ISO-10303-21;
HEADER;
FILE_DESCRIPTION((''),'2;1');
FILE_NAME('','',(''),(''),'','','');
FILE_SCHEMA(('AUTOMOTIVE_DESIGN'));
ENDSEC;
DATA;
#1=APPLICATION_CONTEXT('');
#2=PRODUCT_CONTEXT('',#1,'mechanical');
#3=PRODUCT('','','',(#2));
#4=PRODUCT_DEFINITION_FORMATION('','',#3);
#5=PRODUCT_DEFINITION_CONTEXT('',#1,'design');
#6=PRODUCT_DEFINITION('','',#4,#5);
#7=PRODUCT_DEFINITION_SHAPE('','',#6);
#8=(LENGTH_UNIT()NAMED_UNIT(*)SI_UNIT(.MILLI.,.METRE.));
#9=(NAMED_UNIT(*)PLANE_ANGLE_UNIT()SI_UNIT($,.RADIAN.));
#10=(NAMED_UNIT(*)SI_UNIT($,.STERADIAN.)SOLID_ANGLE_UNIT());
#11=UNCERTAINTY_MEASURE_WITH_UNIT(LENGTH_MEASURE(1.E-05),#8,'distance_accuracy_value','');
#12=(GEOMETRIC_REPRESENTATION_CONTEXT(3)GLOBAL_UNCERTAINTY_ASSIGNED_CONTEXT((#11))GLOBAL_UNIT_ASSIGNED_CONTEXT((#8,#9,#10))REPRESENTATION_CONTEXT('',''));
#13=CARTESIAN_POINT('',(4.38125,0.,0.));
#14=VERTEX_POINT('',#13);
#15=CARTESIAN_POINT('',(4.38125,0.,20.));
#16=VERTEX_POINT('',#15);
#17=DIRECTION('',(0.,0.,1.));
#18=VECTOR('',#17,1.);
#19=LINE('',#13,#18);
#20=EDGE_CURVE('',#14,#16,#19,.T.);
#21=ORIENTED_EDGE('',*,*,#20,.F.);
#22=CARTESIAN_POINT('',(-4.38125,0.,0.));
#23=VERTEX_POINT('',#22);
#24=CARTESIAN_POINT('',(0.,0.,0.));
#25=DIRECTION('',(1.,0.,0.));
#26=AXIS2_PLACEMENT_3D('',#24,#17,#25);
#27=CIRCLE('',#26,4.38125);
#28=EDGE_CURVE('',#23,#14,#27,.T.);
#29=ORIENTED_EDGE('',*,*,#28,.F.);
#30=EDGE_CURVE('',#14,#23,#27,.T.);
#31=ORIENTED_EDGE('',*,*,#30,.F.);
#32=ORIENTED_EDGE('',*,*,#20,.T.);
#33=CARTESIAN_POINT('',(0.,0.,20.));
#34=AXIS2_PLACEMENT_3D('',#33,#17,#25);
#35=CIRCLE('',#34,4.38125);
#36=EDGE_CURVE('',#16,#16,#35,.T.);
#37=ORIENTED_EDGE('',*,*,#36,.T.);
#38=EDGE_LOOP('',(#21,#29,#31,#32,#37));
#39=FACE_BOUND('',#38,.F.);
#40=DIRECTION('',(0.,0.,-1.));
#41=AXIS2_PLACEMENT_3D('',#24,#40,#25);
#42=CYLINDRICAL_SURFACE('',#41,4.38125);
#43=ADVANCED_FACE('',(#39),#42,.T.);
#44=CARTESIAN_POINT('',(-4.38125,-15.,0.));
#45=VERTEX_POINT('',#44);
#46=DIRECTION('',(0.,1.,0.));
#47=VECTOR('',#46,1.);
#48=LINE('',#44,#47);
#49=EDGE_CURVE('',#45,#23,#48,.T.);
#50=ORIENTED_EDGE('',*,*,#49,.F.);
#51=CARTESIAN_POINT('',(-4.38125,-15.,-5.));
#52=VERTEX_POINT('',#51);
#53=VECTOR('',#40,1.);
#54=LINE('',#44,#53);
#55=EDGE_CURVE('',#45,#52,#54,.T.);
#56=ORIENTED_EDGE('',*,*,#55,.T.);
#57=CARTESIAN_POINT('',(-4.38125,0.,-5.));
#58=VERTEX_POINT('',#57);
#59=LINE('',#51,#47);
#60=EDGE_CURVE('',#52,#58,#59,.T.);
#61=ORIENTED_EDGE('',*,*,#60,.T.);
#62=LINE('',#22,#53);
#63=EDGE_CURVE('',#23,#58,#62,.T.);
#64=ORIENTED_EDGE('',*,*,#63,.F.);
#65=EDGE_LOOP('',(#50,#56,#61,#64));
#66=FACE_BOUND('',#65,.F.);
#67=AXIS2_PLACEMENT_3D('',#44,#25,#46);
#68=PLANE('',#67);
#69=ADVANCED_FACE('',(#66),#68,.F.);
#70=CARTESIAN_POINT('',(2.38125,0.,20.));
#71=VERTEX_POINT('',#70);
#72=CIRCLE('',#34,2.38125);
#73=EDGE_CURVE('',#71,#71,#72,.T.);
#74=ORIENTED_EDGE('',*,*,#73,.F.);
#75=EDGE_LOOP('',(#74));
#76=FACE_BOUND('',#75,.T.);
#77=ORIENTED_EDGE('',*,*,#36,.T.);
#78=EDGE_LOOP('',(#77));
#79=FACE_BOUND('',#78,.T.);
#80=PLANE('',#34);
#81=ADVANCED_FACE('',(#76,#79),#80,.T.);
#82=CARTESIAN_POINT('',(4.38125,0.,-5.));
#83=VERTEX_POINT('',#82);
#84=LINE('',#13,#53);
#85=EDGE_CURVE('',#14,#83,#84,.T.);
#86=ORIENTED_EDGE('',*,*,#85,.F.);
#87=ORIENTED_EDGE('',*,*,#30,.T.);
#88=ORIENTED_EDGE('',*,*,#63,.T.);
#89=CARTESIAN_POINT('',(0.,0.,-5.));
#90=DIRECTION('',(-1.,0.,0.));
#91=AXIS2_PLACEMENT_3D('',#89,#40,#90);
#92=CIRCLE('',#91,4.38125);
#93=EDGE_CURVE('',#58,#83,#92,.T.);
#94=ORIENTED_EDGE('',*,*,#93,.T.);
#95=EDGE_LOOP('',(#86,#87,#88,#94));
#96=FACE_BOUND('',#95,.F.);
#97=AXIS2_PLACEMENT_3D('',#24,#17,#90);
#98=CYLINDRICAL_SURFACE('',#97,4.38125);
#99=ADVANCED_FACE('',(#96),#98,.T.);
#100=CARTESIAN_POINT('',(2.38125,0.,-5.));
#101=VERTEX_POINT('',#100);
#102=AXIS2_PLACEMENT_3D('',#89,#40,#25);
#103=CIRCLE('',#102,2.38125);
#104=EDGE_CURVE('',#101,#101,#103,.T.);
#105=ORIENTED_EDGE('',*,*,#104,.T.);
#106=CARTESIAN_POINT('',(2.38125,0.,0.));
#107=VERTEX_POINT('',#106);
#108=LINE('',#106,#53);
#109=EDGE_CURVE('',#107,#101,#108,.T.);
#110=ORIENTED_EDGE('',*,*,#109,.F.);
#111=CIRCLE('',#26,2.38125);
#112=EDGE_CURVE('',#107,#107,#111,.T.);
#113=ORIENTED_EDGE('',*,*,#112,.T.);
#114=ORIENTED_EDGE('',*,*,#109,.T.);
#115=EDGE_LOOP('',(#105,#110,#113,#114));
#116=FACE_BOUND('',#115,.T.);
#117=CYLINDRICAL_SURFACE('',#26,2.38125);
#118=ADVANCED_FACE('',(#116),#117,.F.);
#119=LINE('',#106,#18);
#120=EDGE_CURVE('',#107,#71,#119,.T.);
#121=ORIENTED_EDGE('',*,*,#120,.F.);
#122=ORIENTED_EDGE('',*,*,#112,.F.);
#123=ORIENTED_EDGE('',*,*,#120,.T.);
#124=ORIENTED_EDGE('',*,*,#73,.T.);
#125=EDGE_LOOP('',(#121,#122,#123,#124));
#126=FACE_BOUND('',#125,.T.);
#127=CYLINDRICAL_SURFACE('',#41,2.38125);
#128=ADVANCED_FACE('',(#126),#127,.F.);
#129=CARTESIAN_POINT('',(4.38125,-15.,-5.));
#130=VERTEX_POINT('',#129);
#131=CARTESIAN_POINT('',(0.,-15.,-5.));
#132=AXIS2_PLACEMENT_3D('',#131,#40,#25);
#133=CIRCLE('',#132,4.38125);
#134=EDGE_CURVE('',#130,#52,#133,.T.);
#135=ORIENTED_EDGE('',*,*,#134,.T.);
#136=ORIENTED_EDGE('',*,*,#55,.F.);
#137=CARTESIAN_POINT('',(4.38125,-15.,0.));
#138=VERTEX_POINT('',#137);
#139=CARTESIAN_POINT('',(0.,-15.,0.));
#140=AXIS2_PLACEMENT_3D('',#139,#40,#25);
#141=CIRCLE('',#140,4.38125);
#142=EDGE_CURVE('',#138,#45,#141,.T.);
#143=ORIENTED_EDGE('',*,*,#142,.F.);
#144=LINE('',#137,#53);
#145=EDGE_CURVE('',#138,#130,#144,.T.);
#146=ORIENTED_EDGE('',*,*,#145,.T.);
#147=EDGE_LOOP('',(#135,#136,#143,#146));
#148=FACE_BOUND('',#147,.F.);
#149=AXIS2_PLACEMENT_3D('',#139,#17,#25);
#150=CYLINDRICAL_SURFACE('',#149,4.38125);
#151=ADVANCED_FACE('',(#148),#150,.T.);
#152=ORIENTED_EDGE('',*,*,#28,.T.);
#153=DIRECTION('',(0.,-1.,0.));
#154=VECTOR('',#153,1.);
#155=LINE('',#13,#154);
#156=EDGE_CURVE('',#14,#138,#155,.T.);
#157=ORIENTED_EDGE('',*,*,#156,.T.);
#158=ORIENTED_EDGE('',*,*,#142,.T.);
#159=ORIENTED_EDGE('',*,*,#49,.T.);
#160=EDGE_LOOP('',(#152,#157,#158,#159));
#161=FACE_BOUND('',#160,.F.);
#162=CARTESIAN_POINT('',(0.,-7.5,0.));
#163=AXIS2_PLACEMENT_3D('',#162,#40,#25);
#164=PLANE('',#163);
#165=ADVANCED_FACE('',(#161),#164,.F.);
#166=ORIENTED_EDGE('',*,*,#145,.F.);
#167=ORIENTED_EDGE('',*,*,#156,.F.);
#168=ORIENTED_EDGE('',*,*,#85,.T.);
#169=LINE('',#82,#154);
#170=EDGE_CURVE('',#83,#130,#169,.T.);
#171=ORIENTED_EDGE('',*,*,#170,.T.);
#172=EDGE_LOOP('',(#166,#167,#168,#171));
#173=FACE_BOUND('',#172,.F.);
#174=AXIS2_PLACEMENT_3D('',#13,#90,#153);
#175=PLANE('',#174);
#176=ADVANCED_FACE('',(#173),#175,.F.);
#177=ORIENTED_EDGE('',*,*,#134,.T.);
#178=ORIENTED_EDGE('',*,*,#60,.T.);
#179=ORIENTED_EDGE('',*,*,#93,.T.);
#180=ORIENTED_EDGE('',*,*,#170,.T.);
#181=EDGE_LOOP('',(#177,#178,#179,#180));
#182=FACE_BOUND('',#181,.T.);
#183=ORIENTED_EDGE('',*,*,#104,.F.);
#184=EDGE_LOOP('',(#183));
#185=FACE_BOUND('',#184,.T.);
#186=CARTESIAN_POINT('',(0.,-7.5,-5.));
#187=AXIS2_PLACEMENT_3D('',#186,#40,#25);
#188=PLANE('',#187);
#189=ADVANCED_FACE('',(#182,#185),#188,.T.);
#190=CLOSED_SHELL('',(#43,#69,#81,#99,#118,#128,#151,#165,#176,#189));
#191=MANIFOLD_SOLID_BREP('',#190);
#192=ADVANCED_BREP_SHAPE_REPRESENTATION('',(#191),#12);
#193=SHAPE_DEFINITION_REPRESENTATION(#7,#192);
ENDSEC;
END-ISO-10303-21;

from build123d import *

# Parameters (mm, degrees)
F0_R     = 4.38125
F0_R_2   = 2.38125
F1_DEPTH = 20
F2_R     = 2.38125
F3_DEPTH = 5


with BuildPart() as f1:
    # F0 (on Top) → F1 (new body)
    with BuildSketch(Plane.XY):
        Circle(F0_R)
        Circle(F0_R_2, mode=Mode.SUBTRACT)
    extrude(amount=F1_DEPTH)

    # F2 (on face) → F3 (join)
    with BuildSketch(Plane(origin=(0, 0, 0), x_dir=(1, 0, 0), z_dir=(0, 0, -1))):
        with BuildLine():
            Line((-4.38125, 15), (-4.38125, 0))
            ThreePointArc((-4.38125, 0), (0, -4.38125), (4.38125, 0))
            Line((4.38125, 0), (4.38125, 15))
            ThreePointArc((4.38125, 15), (0, 19.38125), (-4.38125, 15))
        make_face()
        Circle(F2_R, mode=Mode.SUBTRACT)
    extrude(amount=F3_DEPTH)


solid = f1.part
